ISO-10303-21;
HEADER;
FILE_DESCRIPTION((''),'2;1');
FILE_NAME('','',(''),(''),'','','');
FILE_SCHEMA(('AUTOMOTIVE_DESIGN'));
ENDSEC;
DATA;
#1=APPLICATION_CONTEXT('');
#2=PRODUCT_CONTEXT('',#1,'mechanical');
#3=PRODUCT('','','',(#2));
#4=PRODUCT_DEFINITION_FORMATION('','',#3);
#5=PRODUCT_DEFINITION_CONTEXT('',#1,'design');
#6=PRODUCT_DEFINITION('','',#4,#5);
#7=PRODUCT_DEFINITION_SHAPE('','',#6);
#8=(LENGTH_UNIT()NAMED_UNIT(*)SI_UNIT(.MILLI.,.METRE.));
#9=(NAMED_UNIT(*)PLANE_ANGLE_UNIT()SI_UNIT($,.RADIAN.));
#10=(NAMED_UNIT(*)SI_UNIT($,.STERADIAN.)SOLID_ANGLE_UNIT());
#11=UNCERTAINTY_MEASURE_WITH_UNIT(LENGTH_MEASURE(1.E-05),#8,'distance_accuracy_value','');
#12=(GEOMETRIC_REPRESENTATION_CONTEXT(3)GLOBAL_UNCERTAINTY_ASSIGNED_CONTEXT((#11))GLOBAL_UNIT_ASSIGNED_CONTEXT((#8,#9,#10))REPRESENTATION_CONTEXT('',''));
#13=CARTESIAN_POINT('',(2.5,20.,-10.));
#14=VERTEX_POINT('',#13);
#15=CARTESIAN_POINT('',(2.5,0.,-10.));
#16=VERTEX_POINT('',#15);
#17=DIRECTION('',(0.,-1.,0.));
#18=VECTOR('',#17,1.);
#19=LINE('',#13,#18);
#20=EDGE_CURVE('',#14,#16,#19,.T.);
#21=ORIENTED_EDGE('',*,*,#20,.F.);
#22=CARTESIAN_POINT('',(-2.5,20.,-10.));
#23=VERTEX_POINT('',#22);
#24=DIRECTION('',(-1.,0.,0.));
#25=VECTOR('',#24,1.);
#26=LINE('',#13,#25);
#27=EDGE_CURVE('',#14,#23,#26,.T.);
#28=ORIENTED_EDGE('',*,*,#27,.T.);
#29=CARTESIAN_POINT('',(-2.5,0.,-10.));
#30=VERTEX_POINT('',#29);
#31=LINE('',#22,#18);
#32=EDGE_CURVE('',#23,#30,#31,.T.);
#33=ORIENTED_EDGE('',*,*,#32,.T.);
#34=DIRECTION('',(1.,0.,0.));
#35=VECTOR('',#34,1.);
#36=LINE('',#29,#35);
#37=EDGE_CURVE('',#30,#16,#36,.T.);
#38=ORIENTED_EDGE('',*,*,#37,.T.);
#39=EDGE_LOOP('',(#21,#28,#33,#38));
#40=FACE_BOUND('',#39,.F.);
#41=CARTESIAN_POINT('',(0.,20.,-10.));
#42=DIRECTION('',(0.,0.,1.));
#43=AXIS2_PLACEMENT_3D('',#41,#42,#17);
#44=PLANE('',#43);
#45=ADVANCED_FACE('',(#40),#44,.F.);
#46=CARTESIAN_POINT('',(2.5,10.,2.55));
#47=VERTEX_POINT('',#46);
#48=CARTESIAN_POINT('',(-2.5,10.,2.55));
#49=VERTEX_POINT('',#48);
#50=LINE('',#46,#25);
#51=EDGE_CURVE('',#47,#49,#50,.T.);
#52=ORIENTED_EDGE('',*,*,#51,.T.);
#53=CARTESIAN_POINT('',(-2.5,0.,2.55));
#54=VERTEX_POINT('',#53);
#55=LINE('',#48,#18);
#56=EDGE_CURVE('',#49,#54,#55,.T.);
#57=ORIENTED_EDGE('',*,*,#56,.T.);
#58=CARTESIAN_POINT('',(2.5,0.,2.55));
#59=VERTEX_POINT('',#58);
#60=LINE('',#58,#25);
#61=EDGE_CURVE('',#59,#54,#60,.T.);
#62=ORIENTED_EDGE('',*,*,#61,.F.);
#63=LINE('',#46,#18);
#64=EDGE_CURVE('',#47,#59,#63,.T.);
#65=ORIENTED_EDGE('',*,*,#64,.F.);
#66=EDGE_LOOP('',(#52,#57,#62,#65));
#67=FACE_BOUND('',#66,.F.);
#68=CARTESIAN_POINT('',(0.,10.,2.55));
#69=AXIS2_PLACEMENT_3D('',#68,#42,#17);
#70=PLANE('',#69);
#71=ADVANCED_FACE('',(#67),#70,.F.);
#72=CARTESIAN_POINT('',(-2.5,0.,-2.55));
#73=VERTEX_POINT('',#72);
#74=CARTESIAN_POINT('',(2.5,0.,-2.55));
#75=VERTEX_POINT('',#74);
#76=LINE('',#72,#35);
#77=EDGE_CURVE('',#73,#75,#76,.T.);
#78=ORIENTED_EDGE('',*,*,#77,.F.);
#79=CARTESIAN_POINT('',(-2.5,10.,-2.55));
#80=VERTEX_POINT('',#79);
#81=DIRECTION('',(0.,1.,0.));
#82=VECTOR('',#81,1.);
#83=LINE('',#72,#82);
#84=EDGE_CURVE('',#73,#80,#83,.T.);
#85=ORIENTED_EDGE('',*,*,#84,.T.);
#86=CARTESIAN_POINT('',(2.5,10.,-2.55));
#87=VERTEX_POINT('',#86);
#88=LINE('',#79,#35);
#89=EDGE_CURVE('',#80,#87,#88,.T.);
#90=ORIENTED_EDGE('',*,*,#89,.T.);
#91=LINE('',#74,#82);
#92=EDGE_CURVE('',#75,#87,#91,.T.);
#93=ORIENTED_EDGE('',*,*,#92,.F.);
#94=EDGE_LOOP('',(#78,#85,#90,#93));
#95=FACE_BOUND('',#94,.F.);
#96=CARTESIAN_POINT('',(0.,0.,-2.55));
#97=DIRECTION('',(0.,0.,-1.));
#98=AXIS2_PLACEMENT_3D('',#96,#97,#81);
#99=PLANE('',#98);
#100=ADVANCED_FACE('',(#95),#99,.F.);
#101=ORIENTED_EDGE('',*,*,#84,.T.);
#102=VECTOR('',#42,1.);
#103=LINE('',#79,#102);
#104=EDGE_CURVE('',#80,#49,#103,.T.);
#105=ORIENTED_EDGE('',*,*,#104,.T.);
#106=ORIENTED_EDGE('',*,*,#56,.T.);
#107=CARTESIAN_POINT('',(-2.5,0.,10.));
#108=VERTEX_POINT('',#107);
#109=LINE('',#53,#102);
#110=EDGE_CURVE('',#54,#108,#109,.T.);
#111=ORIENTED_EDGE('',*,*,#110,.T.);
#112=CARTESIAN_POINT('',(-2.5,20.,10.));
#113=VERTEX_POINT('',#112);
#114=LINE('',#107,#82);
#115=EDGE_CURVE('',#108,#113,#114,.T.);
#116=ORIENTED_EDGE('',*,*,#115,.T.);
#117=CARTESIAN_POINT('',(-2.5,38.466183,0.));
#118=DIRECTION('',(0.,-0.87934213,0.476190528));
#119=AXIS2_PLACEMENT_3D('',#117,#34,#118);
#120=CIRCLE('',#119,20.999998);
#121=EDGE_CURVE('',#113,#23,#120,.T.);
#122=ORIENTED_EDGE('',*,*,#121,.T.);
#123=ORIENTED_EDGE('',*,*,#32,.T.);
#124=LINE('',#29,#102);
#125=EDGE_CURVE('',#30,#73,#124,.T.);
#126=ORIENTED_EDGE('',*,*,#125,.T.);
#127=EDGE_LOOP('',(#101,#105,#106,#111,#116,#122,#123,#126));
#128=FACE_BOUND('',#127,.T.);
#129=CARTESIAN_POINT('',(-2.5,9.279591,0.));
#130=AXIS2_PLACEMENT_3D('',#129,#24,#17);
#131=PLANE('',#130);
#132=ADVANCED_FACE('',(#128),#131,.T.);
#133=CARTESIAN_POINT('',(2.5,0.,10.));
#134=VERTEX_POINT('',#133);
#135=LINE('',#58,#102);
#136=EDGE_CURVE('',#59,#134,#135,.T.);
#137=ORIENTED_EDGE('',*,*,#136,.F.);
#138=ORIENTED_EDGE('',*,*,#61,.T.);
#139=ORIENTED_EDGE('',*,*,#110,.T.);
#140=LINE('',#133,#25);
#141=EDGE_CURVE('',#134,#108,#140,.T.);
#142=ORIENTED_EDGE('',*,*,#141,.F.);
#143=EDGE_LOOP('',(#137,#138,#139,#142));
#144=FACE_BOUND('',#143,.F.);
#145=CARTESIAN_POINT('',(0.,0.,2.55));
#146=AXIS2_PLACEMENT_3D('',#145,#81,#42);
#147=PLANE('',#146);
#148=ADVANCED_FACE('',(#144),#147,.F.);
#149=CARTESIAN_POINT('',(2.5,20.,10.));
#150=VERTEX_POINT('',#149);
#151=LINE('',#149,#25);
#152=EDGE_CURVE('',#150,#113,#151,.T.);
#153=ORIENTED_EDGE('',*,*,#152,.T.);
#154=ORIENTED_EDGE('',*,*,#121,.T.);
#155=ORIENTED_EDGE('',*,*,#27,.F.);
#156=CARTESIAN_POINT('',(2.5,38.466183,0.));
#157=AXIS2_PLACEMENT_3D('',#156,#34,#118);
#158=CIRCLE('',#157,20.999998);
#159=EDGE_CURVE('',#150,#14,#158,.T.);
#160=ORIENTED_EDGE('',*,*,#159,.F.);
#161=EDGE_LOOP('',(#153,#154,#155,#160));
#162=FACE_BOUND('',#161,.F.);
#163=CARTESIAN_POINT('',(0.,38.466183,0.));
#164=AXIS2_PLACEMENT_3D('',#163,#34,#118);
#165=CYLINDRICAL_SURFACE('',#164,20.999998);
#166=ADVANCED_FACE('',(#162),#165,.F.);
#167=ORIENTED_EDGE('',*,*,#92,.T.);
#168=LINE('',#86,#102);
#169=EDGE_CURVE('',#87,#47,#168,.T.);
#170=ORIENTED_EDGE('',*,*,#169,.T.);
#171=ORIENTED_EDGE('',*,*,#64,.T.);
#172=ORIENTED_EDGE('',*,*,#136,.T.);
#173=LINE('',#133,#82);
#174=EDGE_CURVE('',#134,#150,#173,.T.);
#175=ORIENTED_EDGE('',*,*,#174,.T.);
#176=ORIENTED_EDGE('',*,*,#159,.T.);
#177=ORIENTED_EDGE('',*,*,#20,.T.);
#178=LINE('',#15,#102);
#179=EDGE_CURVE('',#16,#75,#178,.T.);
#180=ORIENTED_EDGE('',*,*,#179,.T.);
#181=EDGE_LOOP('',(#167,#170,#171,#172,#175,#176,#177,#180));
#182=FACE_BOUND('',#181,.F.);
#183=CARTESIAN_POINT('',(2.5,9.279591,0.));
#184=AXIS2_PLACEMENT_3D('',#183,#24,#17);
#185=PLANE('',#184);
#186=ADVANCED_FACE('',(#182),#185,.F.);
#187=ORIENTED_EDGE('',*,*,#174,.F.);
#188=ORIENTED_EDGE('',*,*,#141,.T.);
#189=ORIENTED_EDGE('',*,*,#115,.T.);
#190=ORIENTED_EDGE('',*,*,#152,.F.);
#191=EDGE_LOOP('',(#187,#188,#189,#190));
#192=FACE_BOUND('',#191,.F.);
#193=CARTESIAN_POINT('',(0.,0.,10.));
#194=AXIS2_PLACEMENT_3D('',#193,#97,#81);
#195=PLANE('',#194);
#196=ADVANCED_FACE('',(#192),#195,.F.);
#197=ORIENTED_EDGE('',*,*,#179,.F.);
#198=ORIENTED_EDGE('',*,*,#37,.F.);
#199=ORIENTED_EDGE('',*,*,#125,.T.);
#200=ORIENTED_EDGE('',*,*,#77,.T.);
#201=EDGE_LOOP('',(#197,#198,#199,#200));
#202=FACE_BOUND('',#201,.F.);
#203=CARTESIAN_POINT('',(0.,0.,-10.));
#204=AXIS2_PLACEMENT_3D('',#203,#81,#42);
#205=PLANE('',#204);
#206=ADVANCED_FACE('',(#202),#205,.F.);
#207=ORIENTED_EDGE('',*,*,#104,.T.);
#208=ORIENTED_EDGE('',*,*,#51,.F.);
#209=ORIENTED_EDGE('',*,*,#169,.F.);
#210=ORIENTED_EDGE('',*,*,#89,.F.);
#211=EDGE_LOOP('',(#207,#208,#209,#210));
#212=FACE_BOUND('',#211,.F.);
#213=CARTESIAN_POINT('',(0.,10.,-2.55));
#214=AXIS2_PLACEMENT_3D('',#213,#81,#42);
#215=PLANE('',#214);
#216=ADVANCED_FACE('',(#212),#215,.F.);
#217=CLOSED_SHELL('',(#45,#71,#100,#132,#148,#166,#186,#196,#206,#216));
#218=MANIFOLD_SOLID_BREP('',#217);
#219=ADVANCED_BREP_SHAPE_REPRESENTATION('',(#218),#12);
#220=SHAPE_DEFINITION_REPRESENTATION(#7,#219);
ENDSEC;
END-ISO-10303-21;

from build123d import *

# Parameters (mm, degrees)
PAD_DEPTH = 2.5


with BuildPart() as part:
    # Sketch → Pad (new body, symmetric)
    with BuildSketch(Plane.YZ):
        with BuildLine():
            Line((10, -2.55), (10, 2.55))
            Line((10, 2.55), (0, 2.55))
            Line((0, 2.55), (0, 10))
            Line((0, 10), (20, 10))
            ThreePointArc((20, 10), (17.466185, 0), (20, -10))
            Line((20, -10), (0, -10))
            Line((0, -10), (0, -2.55))
            Line((0, -2.55), (10, -2.55))
        make_face()
    extrude(amount=PAD_DEPTH, both=True)


solid = part.part
